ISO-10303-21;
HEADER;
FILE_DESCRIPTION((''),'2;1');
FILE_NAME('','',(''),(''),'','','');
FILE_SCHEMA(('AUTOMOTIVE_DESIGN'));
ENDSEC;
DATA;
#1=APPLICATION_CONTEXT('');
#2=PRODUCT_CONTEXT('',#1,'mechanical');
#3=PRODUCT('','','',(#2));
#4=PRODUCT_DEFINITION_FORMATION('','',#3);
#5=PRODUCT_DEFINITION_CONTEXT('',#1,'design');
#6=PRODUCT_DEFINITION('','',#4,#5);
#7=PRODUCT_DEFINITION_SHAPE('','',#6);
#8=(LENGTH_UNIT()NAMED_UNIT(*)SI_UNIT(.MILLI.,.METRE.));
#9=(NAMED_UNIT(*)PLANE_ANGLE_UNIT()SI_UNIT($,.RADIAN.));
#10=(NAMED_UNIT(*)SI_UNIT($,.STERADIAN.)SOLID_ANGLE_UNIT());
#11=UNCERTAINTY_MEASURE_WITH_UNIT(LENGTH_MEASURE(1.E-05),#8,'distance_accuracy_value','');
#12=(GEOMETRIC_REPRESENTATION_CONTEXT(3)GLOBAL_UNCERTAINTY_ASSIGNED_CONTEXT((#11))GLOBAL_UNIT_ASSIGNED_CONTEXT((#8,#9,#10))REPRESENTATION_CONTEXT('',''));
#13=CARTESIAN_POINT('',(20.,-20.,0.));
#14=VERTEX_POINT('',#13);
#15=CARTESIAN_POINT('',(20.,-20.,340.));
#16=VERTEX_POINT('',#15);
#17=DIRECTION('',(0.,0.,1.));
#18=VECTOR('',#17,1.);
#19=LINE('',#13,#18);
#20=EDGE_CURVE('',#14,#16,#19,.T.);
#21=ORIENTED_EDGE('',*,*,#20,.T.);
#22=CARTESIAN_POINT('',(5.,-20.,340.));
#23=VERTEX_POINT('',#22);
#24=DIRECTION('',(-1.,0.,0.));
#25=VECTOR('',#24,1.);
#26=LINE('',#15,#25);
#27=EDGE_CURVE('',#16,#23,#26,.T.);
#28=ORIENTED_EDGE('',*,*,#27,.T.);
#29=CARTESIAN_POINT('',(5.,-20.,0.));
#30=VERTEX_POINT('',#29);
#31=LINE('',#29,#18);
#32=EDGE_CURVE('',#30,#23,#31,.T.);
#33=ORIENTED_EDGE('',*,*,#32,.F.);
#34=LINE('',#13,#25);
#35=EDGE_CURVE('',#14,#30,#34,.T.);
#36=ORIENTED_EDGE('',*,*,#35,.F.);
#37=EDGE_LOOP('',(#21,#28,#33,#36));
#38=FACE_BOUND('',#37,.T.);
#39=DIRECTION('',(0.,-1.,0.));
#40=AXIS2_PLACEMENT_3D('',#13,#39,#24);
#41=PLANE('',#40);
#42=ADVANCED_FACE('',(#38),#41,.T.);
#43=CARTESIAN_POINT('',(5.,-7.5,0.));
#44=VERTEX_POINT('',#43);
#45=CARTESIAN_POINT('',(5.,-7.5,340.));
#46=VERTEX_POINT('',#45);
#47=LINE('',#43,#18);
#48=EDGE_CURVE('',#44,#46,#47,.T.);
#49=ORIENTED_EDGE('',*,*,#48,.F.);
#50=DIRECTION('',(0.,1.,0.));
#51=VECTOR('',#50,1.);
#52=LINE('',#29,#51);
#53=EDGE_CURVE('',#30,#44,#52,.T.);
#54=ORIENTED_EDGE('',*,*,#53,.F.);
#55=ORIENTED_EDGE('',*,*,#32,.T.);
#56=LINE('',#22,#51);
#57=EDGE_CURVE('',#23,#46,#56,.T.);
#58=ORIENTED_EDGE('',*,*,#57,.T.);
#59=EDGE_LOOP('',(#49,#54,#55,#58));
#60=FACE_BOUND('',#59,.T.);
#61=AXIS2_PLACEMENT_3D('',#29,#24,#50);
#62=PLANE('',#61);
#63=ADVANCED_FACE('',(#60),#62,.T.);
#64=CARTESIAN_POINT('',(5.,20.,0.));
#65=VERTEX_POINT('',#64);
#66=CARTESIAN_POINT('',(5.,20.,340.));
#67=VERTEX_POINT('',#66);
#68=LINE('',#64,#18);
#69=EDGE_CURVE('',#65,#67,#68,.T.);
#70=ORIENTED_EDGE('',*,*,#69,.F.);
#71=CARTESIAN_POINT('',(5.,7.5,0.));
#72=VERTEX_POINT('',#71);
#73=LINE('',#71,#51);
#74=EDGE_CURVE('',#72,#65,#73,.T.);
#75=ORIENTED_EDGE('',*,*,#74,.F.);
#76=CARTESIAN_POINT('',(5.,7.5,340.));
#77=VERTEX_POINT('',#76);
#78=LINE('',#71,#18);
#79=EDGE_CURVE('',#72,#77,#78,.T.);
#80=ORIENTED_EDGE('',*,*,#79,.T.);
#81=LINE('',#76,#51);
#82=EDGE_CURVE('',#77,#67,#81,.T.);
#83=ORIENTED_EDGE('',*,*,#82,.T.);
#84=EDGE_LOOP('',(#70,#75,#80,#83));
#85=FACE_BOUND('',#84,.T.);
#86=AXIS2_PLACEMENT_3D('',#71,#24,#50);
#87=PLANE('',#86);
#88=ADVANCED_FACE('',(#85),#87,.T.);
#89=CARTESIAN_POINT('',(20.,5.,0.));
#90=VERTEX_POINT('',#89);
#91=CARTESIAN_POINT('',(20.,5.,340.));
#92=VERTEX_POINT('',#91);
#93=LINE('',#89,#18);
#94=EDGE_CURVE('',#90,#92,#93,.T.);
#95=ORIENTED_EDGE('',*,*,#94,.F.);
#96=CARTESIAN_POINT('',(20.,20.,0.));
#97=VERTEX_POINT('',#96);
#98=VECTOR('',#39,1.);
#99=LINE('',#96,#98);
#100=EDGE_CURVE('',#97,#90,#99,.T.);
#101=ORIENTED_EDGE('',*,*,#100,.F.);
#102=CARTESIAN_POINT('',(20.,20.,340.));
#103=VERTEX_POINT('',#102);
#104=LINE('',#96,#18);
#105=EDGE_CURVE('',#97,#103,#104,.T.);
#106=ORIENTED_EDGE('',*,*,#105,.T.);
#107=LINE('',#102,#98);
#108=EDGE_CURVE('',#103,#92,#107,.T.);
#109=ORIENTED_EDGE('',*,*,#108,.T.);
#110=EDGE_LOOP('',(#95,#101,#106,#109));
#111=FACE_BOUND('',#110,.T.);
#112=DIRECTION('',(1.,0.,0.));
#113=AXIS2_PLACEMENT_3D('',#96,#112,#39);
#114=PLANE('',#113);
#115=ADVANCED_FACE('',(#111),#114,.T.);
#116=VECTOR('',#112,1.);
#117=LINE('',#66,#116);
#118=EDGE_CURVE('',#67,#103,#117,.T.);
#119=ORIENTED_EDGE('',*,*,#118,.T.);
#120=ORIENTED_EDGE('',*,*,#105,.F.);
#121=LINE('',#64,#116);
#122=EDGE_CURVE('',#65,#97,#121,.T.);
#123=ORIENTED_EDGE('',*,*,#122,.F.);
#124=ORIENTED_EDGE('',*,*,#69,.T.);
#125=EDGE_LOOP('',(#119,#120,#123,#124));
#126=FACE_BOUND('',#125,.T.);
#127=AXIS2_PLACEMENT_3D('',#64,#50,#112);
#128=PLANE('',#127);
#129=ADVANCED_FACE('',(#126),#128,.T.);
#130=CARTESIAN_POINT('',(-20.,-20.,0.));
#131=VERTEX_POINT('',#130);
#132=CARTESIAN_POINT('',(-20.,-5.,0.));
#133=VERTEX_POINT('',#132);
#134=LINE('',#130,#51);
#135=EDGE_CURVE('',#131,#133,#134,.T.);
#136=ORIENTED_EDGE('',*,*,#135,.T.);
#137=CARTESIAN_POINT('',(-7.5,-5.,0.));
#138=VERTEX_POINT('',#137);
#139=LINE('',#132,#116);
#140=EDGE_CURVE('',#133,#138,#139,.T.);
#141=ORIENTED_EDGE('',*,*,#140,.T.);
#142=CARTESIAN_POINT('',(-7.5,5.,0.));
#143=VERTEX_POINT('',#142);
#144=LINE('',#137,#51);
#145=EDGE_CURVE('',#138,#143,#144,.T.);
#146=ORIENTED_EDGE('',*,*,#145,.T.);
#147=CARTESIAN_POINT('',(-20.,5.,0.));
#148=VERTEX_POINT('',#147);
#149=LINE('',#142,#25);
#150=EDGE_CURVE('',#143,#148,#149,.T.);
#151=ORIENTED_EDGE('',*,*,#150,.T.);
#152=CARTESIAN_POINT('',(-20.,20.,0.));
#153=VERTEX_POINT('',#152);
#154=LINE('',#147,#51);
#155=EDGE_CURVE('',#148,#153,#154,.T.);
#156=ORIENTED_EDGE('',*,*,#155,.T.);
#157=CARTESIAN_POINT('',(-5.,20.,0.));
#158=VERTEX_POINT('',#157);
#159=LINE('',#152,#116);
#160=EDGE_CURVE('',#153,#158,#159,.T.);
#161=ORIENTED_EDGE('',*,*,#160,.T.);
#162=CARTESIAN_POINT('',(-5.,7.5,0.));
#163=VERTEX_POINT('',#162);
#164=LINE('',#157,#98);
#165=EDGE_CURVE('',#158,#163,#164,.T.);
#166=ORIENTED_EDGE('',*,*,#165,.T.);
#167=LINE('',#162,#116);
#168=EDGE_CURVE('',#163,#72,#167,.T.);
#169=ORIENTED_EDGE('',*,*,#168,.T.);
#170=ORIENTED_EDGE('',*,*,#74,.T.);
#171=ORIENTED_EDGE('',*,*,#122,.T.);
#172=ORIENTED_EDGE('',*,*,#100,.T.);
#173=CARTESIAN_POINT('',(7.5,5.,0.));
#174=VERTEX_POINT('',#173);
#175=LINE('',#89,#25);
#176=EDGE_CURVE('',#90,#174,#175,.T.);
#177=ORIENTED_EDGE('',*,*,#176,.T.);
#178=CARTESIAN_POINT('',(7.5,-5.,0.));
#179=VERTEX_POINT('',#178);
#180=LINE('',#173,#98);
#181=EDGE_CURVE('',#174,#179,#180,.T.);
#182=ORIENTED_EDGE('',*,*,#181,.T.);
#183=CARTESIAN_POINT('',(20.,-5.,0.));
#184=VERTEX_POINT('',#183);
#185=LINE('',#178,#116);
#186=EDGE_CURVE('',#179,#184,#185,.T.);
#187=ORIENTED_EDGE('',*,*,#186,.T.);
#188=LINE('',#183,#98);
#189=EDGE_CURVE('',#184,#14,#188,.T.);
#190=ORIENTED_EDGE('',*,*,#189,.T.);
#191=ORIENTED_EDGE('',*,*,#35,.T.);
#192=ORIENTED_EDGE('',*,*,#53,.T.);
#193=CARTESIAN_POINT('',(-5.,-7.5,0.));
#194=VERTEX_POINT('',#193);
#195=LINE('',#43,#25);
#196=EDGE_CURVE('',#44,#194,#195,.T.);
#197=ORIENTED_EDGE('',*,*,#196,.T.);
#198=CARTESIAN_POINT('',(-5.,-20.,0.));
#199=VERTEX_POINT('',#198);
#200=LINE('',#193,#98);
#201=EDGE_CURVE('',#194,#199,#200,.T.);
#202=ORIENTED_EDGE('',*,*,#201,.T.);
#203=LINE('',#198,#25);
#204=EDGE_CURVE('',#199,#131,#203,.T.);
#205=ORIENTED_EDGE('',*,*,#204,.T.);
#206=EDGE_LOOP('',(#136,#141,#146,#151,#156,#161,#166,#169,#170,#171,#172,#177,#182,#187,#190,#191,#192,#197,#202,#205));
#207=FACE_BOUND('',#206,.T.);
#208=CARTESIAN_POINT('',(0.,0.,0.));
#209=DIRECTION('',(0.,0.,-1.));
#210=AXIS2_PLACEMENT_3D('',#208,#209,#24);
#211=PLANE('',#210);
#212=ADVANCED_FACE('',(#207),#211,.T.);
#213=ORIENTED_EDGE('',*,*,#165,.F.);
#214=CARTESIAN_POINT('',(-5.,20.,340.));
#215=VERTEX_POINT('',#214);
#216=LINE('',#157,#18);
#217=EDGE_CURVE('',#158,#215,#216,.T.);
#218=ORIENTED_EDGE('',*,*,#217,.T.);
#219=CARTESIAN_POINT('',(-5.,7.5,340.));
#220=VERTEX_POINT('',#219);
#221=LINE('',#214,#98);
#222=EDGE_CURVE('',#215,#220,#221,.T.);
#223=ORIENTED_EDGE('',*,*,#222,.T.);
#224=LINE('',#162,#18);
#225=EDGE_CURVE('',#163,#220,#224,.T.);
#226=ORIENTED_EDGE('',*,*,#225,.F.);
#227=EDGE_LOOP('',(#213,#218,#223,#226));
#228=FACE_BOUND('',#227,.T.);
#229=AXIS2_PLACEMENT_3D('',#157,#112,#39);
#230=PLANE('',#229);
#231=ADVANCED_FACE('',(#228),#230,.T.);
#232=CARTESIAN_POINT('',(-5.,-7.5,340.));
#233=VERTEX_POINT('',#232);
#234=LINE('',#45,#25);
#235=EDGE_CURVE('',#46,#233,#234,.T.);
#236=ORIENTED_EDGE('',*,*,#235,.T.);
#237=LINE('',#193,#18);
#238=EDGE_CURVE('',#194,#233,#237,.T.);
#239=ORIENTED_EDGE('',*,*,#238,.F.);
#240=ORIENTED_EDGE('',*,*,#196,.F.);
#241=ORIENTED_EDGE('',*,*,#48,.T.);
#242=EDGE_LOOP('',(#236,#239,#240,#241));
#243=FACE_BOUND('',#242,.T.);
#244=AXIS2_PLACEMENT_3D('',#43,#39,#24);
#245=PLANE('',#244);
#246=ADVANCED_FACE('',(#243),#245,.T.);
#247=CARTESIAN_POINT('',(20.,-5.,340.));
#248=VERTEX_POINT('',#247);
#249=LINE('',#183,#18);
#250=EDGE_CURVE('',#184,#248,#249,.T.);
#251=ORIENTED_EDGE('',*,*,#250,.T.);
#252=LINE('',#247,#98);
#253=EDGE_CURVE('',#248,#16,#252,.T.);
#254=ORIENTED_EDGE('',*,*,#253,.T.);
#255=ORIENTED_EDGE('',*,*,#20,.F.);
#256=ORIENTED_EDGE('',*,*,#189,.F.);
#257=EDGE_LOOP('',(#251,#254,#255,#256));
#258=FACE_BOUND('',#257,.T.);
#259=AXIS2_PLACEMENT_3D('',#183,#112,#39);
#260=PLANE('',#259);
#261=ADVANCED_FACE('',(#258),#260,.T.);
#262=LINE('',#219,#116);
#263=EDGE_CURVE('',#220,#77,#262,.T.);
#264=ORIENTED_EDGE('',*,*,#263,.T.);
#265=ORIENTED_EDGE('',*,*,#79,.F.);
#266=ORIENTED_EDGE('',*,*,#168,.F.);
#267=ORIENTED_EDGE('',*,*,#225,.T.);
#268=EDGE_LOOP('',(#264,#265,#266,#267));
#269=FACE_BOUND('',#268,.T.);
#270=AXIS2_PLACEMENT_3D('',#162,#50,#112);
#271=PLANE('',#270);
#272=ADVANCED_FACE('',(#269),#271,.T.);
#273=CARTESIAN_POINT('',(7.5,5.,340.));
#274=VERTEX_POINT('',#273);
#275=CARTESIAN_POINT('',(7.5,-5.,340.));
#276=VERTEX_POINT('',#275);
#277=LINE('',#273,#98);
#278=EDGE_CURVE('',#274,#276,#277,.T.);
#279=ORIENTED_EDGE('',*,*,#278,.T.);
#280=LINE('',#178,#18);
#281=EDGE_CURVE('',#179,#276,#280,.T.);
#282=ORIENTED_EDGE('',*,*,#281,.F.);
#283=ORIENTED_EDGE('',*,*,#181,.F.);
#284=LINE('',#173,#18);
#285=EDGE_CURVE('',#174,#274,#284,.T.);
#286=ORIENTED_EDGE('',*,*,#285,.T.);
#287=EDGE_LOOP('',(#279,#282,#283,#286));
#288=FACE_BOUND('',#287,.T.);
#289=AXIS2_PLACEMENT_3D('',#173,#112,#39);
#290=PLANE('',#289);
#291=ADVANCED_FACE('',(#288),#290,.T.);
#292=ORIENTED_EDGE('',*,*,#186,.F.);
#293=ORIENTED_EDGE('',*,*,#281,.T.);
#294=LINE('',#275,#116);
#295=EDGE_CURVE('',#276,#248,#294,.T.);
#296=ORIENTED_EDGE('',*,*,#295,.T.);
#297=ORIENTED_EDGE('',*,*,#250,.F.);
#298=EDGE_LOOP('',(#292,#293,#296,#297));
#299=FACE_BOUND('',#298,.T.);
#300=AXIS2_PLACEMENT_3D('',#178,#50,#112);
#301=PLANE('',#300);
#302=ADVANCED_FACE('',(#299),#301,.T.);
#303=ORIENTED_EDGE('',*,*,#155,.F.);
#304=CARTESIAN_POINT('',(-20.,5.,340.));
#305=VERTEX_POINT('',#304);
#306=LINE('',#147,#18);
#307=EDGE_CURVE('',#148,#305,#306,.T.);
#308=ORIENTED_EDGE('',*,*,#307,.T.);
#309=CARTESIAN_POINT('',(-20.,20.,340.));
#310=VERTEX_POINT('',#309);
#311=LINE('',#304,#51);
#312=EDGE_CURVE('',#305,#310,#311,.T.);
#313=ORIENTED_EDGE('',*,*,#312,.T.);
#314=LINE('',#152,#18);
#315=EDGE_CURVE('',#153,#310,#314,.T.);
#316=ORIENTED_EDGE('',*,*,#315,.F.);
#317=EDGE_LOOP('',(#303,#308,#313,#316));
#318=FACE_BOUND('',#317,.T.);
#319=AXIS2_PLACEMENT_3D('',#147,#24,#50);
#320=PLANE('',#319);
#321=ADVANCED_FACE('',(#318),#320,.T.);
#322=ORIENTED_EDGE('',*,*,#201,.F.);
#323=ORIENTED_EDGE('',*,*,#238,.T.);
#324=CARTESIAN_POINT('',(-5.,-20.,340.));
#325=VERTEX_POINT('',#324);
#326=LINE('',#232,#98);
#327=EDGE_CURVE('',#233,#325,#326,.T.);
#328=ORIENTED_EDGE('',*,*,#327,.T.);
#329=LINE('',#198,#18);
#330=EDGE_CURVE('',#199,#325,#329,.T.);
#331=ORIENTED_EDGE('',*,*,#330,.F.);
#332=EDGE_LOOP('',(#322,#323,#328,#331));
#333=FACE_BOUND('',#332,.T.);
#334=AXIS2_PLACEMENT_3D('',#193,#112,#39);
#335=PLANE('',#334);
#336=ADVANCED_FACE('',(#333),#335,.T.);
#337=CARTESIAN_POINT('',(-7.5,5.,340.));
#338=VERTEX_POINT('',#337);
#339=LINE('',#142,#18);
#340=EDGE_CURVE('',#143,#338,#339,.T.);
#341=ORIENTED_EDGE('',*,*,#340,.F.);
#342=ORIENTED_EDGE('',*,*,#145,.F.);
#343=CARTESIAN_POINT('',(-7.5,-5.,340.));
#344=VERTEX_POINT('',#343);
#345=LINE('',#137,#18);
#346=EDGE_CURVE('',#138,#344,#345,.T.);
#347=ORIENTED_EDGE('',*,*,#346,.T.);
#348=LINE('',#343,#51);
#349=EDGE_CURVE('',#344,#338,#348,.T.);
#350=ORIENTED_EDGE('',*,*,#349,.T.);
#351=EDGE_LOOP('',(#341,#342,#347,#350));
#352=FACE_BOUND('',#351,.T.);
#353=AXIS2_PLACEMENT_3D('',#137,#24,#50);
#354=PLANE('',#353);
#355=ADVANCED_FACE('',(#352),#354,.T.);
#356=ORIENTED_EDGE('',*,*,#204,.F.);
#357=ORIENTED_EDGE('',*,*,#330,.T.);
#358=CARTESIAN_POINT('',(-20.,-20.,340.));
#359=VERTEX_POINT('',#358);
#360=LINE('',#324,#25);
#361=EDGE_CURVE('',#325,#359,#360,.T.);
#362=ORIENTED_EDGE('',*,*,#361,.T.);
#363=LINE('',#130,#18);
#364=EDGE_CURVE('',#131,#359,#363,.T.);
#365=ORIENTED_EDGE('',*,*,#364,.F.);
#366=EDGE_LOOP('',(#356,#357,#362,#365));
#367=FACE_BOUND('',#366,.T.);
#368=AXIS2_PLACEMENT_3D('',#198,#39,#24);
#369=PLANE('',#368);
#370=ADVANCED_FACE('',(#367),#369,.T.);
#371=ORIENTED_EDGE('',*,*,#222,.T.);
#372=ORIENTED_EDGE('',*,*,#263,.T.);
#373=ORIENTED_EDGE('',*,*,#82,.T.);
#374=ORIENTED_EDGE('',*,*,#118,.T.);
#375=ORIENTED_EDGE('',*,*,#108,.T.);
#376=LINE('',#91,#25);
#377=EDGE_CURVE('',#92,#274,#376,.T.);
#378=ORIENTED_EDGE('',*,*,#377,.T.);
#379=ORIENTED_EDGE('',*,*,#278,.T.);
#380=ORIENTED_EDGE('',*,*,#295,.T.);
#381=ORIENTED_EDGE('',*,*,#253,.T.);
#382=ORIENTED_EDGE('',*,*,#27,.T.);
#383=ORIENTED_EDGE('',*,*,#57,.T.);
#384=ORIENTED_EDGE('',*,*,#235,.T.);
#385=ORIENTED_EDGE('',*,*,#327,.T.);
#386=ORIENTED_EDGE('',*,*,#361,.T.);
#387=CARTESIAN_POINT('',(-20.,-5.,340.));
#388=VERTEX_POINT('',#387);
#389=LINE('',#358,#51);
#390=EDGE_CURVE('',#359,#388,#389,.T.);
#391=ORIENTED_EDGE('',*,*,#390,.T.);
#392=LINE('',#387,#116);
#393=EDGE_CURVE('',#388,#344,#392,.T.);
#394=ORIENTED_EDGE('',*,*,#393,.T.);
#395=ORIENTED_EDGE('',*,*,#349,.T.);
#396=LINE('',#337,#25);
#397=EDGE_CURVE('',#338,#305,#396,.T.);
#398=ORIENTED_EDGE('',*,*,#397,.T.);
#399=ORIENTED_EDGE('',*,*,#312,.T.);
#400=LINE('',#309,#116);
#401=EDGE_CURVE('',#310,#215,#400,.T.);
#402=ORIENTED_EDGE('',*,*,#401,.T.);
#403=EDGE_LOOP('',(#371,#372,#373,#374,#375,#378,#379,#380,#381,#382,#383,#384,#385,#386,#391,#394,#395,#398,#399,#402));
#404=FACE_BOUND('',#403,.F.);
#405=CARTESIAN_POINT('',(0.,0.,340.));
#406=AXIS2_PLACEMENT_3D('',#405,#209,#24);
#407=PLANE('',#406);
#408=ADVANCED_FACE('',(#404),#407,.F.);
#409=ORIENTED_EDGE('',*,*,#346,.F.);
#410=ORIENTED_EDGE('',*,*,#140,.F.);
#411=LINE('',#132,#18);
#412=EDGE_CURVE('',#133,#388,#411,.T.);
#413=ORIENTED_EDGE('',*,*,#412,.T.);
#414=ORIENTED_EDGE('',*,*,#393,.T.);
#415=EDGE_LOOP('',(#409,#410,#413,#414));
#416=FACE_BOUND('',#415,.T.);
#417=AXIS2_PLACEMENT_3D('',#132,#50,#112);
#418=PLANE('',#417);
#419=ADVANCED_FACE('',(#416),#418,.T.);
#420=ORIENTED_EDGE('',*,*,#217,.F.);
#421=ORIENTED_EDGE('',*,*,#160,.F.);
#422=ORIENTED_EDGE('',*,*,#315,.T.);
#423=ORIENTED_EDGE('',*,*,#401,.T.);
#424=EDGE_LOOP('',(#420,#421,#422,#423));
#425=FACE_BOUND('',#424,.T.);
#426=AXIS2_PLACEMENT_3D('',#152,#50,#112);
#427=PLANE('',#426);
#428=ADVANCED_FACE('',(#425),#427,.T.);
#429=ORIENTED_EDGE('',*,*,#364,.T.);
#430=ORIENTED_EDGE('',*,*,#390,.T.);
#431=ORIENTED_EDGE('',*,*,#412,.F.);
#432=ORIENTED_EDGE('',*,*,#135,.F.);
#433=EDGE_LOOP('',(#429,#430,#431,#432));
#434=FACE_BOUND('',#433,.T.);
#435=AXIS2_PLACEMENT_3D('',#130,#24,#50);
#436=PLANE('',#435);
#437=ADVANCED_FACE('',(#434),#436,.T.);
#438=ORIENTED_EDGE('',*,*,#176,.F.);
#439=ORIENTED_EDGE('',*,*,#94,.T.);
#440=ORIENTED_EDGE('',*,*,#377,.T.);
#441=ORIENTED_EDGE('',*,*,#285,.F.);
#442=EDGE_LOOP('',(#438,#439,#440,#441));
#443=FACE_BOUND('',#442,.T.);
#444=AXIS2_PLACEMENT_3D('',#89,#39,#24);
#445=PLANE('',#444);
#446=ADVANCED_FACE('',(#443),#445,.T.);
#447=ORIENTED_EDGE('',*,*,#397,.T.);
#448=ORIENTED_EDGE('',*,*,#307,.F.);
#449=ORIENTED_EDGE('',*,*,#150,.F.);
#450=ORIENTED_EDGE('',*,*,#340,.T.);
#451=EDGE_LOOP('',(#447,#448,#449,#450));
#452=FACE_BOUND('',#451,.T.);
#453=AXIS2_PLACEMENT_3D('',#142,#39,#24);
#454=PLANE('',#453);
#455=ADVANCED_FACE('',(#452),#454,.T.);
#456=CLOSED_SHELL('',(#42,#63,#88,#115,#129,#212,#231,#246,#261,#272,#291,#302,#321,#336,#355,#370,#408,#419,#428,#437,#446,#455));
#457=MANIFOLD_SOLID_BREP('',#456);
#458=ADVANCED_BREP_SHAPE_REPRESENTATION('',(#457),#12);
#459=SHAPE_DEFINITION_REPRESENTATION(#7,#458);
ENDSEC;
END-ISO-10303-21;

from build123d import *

# Parameters (mm, degrees)
PAD_DEPTH = 340


with BuildPart() as part:
    # Sketch → Pad (new body)
    with BuildSketch(Plane.XY):
        Polygon((-20, -20), (-20, -5), (-7.5, -5), (-7.5, 5), (-20, 5), (-20, 20), (-5, 20), (-5, 7.5), (5, 7.5), (5, 20), (20, 20), (20, 5), (7.5, 5), (7.5, -5), (20, -5), (20, -20), (5, -20), (5, -7.5), (-5, -7.5), (-5, -20), align=None)
    extrude(amount=PAD_DEPTH)


solid = part.part
